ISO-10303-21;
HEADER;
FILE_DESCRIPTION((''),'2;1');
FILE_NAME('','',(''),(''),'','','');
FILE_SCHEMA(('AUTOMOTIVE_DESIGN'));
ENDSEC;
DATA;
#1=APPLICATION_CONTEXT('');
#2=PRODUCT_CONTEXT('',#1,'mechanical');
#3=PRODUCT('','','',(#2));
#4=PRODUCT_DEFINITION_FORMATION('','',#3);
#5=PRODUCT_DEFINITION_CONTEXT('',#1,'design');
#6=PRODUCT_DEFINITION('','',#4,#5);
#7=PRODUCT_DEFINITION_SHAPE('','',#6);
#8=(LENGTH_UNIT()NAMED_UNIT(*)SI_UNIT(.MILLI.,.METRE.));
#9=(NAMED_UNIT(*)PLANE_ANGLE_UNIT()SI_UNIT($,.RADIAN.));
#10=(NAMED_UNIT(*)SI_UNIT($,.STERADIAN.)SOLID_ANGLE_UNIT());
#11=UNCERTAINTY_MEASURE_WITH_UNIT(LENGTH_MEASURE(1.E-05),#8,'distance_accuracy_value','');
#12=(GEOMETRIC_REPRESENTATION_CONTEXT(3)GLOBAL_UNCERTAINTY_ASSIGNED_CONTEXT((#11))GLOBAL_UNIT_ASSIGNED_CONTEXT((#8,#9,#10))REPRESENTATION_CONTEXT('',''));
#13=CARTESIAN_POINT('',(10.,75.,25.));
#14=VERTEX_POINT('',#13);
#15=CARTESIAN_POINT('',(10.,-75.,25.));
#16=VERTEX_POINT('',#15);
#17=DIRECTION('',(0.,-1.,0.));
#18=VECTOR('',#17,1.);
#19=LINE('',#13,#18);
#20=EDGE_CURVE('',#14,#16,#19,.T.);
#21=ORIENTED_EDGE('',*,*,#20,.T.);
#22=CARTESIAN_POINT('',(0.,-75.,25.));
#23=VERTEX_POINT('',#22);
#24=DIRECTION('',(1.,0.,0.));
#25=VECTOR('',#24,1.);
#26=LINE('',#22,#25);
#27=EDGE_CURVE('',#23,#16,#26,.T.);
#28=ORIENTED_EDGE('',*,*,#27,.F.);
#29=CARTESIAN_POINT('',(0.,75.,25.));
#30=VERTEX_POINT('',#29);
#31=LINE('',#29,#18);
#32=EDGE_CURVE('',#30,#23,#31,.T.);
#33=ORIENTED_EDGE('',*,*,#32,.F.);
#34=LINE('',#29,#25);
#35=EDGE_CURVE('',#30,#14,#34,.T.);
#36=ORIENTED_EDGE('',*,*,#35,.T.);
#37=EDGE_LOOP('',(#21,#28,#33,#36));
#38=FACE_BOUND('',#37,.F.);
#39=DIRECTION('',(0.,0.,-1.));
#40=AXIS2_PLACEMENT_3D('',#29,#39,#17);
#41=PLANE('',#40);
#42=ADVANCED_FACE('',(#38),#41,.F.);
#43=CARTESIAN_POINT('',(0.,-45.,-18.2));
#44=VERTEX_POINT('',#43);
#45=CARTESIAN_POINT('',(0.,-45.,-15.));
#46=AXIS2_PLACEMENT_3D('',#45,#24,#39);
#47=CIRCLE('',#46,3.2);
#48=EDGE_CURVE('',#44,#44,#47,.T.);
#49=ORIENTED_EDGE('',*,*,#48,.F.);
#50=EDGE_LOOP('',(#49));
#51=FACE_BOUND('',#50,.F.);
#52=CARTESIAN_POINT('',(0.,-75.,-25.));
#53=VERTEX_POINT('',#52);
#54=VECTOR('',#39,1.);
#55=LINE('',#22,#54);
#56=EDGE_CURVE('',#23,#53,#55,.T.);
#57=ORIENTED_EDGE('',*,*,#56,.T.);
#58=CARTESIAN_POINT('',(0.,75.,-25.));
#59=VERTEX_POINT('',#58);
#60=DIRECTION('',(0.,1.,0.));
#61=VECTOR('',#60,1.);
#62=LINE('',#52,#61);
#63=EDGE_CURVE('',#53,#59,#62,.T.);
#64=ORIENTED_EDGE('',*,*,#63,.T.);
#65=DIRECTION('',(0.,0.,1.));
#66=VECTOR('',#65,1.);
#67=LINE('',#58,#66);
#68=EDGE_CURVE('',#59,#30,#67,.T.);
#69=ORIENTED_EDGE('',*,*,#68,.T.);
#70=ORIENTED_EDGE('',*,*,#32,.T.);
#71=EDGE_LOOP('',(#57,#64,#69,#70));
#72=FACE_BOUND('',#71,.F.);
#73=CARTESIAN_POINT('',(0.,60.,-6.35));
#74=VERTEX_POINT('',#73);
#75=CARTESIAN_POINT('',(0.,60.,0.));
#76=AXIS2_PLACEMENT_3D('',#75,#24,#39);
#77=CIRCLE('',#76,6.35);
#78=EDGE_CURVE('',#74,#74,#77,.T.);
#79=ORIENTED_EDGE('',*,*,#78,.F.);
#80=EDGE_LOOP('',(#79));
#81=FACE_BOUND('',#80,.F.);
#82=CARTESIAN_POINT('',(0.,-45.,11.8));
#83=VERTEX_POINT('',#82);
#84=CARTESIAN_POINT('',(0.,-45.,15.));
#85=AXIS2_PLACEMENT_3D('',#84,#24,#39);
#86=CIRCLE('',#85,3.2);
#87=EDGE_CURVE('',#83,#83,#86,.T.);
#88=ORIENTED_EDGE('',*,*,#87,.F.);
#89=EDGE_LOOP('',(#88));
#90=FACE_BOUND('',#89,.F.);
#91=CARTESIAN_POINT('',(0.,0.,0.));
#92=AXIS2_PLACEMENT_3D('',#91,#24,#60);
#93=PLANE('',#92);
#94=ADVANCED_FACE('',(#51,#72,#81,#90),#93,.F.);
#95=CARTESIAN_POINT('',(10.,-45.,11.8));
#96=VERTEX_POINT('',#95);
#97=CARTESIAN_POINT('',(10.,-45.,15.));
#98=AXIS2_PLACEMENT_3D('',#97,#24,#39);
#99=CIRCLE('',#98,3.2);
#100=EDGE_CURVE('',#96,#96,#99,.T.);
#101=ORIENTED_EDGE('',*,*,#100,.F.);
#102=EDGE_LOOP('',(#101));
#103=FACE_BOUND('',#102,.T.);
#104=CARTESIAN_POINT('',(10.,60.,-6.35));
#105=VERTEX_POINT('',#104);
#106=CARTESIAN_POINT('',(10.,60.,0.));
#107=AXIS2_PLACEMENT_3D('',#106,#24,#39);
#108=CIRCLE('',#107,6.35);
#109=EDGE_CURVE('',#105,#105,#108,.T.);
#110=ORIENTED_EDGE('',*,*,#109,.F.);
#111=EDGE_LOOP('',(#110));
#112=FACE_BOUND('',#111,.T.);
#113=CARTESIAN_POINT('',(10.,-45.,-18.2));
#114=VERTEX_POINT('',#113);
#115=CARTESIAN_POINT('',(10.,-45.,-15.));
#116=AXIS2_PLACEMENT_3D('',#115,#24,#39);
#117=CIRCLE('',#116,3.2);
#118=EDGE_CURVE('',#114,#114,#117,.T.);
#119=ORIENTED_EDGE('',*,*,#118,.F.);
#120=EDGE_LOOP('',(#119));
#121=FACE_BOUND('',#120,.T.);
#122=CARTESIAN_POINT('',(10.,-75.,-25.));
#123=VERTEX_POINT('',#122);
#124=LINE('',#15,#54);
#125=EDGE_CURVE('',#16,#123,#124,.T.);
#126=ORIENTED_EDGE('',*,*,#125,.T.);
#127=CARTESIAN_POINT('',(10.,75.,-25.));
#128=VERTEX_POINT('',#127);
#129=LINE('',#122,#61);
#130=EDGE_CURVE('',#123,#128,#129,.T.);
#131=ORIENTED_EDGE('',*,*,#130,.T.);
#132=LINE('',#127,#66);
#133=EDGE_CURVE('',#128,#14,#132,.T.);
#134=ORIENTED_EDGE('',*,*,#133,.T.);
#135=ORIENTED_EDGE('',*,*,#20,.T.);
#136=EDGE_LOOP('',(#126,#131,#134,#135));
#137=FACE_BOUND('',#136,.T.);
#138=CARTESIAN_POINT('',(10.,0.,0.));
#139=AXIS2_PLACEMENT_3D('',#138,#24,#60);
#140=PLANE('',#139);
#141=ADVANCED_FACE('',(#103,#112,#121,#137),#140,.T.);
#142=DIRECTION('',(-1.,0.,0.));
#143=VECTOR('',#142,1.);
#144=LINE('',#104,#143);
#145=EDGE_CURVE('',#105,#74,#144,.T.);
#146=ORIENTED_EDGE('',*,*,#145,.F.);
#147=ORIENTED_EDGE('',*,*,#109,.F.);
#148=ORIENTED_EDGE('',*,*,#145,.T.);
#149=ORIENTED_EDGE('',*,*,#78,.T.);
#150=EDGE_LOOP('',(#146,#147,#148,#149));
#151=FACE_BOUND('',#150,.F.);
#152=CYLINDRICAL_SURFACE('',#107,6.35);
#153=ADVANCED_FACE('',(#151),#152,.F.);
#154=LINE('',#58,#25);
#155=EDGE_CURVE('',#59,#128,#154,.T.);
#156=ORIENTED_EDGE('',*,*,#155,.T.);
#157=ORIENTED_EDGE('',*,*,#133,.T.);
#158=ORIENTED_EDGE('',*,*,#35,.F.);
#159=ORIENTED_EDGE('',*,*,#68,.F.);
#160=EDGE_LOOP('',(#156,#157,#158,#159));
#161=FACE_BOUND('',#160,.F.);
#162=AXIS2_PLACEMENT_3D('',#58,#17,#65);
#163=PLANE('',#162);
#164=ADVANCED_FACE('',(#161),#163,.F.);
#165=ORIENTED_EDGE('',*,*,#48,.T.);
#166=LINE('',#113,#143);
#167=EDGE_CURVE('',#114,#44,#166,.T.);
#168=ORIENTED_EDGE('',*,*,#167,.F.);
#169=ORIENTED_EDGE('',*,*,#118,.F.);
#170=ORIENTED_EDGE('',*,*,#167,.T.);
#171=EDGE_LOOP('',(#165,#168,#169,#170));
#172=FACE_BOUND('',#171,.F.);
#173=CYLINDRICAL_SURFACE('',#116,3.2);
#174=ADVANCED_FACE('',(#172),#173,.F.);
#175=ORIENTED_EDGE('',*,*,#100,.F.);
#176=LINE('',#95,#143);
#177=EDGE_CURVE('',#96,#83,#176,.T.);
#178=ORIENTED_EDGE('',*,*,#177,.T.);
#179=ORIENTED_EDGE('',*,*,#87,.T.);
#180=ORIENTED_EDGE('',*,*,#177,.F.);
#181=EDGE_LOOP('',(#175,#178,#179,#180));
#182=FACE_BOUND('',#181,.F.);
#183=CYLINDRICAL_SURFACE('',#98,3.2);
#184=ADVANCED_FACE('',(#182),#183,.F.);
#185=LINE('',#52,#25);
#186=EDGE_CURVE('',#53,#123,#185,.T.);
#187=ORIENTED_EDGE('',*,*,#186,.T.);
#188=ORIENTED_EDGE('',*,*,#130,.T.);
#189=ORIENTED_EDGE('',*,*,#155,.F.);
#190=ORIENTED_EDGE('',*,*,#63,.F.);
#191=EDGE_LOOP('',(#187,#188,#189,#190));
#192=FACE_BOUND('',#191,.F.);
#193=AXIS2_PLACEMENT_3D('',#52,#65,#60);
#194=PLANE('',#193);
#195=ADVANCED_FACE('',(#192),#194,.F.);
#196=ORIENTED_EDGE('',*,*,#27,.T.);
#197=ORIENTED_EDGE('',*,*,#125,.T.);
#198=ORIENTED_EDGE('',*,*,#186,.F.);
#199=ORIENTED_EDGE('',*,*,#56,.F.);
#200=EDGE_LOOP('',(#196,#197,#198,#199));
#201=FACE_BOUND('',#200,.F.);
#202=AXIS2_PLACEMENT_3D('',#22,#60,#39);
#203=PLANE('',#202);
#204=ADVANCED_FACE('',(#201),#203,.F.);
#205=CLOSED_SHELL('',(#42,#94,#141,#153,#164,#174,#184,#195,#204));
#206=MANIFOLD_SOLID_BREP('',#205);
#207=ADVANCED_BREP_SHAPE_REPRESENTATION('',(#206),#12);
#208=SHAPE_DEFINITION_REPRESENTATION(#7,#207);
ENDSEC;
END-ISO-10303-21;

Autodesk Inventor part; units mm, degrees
ref_plane "YZ Plane" through (0, 0, 0) normal (1, 0, 0) x (0, 1, 0)
ref_plane "XZ Plane" through (0, 0, 0) normal (0, 1, 0) x (-1, 0, 0)
ref_plane "XY Plane" through (0, 0, 0) normal (0, 0, 1) x (1, 0, 0)
sketch "Sketch2" plane through (0, 0, 0) normal (1, 0, 0) x (0, 1, 0)
  line L0 (75, 25) -> (-75, 25)
  line L1 (-75, 25) -> (-75, -25)
  line L2 (-75, -25) -> (75, -25)
  line L3 (75, -25) -> (75, 25)
  line L4 (75, 25) -> (-75, -25) construction
  line L5 (-75, 25) -> (75, -25) construction
  point P0 (0, 0)
  dimension "d4" = 150
  dimension "d5" = 50
extrude "Extrusion" add sketch "Sketch2" along normal blind 10
sketch "Sketch3" plane through (10, 0, 0) normal (1, 0, 0) x (0, 0, -1)
  circle A0 centre (-15, -45) radius 3.2
  circle A1 centre (15, -45) radius 3.2
  circle A2 centre (0, 60) radius 6.35
  point P0 (0, 0)
  dimension "d8" = 6.4
  dimension "d9" = 12.7
  dimension "d12" = 6.4
extrude "Extrusion2" cut sketch "Sketch3" against normal through all
properties part number "Stand"
